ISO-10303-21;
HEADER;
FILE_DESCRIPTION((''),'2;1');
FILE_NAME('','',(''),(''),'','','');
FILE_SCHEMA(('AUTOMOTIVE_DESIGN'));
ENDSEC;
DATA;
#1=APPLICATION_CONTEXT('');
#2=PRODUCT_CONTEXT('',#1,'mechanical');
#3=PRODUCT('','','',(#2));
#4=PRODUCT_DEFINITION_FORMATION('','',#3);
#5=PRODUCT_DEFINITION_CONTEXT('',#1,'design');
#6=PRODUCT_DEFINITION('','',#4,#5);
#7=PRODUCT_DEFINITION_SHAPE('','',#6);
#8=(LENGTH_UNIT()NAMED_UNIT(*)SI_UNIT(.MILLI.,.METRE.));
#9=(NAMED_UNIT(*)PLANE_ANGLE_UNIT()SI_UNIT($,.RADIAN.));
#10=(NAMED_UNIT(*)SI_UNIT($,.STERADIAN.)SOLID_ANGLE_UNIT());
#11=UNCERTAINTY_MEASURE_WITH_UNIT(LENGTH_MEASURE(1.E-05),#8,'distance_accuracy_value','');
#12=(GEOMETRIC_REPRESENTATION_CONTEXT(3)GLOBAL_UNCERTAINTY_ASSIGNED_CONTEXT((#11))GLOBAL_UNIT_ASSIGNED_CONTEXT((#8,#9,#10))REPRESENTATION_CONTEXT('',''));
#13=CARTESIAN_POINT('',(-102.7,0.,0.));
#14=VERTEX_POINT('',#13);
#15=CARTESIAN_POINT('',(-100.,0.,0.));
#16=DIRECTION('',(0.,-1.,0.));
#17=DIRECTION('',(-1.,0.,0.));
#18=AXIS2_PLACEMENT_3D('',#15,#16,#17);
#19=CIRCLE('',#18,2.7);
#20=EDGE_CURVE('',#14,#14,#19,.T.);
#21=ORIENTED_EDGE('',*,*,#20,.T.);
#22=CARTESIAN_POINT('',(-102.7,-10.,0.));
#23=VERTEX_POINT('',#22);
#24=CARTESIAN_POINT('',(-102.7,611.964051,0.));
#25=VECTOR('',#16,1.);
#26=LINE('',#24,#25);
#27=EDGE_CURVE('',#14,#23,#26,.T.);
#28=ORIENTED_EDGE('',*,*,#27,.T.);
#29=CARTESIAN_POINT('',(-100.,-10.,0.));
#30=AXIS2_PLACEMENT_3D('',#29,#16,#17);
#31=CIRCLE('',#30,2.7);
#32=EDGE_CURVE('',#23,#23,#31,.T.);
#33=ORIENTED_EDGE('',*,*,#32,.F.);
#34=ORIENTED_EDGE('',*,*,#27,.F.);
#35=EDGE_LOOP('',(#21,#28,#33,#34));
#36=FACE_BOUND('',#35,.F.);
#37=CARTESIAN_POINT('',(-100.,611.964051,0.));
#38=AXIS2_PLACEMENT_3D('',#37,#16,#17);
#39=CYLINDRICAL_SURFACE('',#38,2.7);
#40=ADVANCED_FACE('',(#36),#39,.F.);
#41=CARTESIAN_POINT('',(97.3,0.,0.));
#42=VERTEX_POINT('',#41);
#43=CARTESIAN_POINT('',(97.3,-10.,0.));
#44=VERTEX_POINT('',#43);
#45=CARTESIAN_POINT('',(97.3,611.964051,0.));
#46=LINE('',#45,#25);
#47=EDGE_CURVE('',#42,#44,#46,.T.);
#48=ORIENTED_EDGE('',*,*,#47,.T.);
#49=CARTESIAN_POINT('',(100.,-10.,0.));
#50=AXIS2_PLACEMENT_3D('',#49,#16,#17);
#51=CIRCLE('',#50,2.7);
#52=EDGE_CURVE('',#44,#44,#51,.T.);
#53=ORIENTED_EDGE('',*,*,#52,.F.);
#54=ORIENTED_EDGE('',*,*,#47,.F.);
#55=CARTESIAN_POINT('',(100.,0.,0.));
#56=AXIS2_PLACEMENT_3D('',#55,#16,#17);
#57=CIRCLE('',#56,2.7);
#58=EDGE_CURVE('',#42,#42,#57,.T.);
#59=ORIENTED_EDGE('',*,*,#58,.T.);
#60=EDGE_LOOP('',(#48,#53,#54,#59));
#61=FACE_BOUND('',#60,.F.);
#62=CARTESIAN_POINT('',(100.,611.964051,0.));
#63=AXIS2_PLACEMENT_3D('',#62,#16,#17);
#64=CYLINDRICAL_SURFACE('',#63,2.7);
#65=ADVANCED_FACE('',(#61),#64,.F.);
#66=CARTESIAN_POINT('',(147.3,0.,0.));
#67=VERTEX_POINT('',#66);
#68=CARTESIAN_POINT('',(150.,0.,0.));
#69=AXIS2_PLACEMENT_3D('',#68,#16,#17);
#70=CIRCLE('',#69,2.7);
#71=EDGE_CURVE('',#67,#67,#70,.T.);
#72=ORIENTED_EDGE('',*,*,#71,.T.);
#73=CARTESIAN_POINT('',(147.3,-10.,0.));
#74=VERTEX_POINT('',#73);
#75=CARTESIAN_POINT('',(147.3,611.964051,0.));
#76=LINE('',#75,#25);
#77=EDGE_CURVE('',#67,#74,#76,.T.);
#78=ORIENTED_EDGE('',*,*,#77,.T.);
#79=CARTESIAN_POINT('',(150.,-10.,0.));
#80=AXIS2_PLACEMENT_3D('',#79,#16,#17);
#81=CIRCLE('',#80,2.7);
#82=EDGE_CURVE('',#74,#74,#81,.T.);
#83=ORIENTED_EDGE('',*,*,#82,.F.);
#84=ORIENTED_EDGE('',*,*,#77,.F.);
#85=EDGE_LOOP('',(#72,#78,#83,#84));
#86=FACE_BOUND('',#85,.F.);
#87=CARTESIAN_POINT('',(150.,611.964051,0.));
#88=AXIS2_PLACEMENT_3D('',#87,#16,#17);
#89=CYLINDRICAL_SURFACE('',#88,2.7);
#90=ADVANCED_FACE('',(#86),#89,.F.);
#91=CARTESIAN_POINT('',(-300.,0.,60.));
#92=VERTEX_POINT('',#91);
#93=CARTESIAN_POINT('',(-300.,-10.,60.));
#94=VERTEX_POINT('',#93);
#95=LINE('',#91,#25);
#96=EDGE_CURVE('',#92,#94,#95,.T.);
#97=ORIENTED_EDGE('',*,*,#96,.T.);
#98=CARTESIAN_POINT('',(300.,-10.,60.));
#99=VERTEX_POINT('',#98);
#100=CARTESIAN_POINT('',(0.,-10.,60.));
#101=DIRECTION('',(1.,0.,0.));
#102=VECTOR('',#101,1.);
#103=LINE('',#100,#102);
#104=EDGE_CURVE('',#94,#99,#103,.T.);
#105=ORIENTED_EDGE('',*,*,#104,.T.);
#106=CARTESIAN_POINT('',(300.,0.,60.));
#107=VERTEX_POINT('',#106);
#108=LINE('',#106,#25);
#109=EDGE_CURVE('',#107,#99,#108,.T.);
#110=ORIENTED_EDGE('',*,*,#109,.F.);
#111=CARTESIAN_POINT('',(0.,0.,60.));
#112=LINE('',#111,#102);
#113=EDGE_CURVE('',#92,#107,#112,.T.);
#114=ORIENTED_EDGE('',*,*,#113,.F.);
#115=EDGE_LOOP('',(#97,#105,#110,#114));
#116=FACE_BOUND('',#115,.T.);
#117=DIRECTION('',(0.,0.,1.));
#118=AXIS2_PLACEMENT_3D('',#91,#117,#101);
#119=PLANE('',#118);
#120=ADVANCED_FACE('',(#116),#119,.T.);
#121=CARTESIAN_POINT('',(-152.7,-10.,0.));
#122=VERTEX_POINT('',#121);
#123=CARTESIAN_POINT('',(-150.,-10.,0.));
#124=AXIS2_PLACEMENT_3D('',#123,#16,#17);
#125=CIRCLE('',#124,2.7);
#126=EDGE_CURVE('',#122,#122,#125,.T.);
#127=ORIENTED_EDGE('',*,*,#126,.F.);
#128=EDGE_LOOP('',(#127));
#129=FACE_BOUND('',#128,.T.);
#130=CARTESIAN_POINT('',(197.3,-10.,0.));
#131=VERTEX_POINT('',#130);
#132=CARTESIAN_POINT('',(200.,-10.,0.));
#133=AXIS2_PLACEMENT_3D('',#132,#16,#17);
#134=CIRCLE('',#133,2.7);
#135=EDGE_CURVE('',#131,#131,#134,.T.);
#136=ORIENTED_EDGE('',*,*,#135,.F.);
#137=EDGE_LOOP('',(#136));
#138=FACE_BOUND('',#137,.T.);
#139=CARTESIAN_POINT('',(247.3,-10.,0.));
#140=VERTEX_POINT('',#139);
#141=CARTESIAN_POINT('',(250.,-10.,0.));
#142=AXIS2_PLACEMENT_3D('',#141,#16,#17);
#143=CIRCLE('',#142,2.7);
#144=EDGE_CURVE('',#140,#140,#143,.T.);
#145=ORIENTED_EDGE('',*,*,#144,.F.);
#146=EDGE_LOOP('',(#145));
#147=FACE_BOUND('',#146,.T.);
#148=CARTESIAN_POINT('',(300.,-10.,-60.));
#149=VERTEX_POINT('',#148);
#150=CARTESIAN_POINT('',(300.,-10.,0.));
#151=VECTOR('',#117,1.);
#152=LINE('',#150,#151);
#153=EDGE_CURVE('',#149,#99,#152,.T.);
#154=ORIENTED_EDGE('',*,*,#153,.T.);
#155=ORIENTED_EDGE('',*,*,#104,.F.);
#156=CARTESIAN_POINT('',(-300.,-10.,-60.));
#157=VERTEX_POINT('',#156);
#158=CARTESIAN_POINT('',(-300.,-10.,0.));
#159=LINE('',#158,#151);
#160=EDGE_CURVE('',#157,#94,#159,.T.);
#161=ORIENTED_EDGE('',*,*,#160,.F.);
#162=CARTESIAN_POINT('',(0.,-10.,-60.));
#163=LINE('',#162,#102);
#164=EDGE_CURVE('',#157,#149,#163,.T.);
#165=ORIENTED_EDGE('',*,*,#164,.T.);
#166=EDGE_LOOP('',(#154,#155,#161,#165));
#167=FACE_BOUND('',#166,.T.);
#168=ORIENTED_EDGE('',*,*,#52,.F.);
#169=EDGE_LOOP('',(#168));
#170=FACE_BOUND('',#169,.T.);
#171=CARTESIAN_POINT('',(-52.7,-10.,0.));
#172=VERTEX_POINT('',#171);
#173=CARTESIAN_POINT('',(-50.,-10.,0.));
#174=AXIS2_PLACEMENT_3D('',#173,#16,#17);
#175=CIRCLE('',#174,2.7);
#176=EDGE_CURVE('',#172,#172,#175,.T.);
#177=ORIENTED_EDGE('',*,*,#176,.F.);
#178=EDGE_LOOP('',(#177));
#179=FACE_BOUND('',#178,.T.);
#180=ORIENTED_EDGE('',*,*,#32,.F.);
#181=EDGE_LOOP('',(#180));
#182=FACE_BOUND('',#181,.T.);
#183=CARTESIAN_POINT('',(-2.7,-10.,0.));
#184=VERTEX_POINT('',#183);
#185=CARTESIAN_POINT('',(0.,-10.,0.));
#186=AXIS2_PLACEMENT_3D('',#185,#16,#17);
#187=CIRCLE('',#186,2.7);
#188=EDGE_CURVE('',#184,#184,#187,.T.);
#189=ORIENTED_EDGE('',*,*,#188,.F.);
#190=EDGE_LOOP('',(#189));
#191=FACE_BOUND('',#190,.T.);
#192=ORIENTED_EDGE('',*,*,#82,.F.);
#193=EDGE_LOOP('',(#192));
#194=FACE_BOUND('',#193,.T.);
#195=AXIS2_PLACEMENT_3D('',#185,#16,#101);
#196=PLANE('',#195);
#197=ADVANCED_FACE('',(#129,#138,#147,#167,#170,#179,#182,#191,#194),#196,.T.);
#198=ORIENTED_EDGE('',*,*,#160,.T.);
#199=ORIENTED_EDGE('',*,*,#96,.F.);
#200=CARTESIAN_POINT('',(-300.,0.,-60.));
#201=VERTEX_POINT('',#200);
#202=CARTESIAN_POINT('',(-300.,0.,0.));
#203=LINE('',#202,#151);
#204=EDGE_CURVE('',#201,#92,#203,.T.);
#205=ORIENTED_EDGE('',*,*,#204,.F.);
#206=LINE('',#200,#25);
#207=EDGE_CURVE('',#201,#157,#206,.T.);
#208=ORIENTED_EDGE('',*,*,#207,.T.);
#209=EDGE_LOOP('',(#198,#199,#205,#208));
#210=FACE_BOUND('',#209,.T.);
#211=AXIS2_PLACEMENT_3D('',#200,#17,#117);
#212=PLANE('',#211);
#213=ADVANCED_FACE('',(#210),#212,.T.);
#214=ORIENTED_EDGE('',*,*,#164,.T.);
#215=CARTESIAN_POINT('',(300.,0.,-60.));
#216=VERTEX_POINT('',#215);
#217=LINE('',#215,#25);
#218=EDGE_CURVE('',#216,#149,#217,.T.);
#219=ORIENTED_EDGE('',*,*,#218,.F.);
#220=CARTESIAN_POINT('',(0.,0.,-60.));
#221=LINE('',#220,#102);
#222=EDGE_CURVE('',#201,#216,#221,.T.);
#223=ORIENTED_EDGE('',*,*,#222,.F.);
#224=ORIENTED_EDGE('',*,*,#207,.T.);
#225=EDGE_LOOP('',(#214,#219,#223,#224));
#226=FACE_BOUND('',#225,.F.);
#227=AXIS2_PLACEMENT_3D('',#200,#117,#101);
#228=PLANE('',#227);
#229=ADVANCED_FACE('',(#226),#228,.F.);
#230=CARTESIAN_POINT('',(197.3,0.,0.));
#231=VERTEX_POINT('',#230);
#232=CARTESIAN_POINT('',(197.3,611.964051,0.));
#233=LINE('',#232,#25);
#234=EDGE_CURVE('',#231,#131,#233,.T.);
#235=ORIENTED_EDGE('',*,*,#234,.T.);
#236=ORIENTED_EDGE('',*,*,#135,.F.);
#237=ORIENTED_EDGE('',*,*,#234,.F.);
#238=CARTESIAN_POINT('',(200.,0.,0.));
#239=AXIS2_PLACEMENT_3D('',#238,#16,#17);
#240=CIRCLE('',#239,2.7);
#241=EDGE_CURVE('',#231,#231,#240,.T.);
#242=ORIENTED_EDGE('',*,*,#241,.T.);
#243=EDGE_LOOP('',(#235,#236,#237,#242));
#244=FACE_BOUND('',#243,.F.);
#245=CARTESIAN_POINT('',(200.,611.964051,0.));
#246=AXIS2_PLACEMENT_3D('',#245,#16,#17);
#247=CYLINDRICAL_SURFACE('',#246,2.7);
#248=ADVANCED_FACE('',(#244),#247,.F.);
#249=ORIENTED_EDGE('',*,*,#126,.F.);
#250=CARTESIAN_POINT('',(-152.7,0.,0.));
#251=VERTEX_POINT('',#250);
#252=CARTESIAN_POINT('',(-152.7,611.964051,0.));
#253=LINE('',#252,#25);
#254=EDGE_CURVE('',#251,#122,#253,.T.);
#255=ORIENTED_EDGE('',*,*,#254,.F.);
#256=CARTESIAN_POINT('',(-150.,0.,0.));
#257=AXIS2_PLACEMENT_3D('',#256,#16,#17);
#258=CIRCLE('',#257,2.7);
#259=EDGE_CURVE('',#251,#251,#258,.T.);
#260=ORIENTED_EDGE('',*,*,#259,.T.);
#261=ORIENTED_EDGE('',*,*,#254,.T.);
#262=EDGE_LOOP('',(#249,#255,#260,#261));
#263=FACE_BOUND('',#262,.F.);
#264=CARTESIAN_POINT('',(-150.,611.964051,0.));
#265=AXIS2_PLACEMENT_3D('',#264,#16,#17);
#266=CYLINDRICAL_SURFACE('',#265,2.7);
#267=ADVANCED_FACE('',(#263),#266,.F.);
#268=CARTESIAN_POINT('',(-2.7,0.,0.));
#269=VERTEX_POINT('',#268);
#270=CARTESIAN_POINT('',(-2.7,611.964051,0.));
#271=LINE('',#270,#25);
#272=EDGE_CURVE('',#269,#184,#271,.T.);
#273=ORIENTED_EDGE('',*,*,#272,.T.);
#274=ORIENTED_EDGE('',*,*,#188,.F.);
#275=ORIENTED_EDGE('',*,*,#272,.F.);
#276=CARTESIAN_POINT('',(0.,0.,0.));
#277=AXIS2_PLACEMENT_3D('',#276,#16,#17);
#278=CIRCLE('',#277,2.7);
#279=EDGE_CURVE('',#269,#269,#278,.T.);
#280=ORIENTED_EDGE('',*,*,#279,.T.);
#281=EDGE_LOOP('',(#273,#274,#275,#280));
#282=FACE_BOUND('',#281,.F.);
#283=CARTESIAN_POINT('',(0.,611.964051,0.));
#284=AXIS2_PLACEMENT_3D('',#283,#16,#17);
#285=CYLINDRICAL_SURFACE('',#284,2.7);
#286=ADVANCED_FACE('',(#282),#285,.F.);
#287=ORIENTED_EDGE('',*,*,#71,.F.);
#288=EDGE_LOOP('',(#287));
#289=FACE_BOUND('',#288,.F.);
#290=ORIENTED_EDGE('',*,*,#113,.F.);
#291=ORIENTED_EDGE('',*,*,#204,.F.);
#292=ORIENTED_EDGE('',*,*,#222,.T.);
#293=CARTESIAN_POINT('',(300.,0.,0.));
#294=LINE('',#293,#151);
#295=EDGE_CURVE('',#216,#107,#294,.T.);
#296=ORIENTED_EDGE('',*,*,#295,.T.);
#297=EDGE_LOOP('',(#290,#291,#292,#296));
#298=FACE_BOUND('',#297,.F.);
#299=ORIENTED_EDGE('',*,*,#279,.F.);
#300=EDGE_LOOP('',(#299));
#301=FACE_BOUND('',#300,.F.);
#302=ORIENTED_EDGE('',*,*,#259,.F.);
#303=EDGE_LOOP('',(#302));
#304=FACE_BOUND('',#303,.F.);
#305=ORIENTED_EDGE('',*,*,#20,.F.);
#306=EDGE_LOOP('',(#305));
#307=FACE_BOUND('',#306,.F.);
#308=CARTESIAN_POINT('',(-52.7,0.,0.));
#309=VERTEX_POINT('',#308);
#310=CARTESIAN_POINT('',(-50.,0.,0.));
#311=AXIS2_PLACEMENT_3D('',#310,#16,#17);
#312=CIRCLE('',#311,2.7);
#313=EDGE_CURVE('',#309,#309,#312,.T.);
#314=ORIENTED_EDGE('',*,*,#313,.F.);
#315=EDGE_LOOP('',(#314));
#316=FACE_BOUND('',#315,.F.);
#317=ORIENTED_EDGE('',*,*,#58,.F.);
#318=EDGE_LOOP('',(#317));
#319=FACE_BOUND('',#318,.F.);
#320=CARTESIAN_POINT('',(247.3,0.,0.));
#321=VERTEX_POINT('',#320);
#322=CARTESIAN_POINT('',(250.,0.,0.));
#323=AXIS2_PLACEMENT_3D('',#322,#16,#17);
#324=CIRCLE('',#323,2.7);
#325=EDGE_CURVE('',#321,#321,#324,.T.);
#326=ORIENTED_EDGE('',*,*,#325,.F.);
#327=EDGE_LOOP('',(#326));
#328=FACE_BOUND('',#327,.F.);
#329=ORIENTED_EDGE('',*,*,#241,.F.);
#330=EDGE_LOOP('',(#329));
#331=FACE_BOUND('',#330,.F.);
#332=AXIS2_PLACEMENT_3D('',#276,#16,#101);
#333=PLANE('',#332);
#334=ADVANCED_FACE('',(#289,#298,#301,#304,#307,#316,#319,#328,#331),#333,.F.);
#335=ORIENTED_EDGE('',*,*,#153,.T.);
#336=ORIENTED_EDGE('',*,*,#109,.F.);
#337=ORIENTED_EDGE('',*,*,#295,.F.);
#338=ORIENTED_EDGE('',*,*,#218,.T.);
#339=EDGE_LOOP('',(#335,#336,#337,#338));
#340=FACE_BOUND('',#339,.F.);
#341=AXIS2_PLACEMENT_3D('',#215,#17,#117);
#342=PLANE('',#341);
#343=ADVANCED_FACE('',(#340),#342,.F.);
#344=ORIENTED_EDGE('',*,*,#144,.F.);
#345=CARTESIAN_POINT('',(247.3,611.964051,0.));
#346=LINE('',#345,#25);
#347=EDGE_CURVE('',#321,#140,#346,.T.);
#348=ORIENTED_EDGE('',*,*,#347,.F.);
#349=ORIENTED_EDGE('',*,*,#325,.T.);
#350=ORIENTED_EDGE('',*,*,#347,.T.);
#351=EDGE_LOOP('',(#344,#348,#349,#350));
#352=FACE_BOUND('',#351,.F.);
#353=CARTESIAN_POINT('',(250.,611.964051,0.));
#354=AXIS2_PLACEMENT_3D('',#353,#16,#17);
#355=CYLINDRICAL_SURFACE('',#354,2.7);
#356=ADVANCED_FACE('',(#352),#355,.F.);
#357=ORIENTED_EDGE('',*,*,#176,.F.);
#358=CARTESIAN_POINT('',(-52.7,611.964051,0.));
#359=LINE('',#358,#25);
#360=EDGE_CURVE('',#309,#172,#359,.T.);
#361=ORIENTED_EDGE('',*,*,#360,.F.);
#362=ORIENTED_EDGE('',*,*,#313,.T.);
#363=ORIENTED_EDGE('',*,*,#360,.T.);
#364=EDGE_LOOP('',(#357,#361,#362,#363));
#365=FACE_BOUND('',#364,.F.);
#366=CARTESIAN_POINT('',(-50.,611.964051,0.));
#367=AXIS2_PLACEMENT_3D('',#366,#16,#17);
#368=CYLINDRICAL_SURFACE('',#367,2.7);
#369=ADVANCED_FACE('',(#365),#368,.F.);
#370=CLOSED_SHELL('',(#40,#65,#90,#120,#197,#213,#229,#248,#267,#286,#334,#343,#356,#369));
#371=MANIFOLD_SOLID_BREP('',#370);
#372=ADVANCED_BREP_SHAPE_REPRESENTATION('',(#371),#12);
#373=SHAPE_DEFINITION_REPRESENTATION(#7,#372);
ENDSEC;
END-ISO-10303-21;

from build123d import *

# Parameters (mm, degrees)
F0_W     = 600
F0_H     = 120
F1_DEPTH = 10
F2_D     = 5.4


with BuildPart() as f1:
    # F0 (on Front) → F1 (new body)
    with BuildSketch(Plane.XZ):
        Rectangle(F0_W, F0_H)
    extrude(amount=F1_DEPTH)

    # F2 (through all)
    with Locations(Plane(origin=(0, 0, 0), x_dir=(1, 0, 0), z_dir=(0, 1, 0))):
        with Locations((250, 0), (200, 0), (150, 0), (100, 0), (0, 0), (0, 0), (-50, 0), (-100, 0), (-150, 0)):
            Hole(F2_D / 2)


solid = f1.part
